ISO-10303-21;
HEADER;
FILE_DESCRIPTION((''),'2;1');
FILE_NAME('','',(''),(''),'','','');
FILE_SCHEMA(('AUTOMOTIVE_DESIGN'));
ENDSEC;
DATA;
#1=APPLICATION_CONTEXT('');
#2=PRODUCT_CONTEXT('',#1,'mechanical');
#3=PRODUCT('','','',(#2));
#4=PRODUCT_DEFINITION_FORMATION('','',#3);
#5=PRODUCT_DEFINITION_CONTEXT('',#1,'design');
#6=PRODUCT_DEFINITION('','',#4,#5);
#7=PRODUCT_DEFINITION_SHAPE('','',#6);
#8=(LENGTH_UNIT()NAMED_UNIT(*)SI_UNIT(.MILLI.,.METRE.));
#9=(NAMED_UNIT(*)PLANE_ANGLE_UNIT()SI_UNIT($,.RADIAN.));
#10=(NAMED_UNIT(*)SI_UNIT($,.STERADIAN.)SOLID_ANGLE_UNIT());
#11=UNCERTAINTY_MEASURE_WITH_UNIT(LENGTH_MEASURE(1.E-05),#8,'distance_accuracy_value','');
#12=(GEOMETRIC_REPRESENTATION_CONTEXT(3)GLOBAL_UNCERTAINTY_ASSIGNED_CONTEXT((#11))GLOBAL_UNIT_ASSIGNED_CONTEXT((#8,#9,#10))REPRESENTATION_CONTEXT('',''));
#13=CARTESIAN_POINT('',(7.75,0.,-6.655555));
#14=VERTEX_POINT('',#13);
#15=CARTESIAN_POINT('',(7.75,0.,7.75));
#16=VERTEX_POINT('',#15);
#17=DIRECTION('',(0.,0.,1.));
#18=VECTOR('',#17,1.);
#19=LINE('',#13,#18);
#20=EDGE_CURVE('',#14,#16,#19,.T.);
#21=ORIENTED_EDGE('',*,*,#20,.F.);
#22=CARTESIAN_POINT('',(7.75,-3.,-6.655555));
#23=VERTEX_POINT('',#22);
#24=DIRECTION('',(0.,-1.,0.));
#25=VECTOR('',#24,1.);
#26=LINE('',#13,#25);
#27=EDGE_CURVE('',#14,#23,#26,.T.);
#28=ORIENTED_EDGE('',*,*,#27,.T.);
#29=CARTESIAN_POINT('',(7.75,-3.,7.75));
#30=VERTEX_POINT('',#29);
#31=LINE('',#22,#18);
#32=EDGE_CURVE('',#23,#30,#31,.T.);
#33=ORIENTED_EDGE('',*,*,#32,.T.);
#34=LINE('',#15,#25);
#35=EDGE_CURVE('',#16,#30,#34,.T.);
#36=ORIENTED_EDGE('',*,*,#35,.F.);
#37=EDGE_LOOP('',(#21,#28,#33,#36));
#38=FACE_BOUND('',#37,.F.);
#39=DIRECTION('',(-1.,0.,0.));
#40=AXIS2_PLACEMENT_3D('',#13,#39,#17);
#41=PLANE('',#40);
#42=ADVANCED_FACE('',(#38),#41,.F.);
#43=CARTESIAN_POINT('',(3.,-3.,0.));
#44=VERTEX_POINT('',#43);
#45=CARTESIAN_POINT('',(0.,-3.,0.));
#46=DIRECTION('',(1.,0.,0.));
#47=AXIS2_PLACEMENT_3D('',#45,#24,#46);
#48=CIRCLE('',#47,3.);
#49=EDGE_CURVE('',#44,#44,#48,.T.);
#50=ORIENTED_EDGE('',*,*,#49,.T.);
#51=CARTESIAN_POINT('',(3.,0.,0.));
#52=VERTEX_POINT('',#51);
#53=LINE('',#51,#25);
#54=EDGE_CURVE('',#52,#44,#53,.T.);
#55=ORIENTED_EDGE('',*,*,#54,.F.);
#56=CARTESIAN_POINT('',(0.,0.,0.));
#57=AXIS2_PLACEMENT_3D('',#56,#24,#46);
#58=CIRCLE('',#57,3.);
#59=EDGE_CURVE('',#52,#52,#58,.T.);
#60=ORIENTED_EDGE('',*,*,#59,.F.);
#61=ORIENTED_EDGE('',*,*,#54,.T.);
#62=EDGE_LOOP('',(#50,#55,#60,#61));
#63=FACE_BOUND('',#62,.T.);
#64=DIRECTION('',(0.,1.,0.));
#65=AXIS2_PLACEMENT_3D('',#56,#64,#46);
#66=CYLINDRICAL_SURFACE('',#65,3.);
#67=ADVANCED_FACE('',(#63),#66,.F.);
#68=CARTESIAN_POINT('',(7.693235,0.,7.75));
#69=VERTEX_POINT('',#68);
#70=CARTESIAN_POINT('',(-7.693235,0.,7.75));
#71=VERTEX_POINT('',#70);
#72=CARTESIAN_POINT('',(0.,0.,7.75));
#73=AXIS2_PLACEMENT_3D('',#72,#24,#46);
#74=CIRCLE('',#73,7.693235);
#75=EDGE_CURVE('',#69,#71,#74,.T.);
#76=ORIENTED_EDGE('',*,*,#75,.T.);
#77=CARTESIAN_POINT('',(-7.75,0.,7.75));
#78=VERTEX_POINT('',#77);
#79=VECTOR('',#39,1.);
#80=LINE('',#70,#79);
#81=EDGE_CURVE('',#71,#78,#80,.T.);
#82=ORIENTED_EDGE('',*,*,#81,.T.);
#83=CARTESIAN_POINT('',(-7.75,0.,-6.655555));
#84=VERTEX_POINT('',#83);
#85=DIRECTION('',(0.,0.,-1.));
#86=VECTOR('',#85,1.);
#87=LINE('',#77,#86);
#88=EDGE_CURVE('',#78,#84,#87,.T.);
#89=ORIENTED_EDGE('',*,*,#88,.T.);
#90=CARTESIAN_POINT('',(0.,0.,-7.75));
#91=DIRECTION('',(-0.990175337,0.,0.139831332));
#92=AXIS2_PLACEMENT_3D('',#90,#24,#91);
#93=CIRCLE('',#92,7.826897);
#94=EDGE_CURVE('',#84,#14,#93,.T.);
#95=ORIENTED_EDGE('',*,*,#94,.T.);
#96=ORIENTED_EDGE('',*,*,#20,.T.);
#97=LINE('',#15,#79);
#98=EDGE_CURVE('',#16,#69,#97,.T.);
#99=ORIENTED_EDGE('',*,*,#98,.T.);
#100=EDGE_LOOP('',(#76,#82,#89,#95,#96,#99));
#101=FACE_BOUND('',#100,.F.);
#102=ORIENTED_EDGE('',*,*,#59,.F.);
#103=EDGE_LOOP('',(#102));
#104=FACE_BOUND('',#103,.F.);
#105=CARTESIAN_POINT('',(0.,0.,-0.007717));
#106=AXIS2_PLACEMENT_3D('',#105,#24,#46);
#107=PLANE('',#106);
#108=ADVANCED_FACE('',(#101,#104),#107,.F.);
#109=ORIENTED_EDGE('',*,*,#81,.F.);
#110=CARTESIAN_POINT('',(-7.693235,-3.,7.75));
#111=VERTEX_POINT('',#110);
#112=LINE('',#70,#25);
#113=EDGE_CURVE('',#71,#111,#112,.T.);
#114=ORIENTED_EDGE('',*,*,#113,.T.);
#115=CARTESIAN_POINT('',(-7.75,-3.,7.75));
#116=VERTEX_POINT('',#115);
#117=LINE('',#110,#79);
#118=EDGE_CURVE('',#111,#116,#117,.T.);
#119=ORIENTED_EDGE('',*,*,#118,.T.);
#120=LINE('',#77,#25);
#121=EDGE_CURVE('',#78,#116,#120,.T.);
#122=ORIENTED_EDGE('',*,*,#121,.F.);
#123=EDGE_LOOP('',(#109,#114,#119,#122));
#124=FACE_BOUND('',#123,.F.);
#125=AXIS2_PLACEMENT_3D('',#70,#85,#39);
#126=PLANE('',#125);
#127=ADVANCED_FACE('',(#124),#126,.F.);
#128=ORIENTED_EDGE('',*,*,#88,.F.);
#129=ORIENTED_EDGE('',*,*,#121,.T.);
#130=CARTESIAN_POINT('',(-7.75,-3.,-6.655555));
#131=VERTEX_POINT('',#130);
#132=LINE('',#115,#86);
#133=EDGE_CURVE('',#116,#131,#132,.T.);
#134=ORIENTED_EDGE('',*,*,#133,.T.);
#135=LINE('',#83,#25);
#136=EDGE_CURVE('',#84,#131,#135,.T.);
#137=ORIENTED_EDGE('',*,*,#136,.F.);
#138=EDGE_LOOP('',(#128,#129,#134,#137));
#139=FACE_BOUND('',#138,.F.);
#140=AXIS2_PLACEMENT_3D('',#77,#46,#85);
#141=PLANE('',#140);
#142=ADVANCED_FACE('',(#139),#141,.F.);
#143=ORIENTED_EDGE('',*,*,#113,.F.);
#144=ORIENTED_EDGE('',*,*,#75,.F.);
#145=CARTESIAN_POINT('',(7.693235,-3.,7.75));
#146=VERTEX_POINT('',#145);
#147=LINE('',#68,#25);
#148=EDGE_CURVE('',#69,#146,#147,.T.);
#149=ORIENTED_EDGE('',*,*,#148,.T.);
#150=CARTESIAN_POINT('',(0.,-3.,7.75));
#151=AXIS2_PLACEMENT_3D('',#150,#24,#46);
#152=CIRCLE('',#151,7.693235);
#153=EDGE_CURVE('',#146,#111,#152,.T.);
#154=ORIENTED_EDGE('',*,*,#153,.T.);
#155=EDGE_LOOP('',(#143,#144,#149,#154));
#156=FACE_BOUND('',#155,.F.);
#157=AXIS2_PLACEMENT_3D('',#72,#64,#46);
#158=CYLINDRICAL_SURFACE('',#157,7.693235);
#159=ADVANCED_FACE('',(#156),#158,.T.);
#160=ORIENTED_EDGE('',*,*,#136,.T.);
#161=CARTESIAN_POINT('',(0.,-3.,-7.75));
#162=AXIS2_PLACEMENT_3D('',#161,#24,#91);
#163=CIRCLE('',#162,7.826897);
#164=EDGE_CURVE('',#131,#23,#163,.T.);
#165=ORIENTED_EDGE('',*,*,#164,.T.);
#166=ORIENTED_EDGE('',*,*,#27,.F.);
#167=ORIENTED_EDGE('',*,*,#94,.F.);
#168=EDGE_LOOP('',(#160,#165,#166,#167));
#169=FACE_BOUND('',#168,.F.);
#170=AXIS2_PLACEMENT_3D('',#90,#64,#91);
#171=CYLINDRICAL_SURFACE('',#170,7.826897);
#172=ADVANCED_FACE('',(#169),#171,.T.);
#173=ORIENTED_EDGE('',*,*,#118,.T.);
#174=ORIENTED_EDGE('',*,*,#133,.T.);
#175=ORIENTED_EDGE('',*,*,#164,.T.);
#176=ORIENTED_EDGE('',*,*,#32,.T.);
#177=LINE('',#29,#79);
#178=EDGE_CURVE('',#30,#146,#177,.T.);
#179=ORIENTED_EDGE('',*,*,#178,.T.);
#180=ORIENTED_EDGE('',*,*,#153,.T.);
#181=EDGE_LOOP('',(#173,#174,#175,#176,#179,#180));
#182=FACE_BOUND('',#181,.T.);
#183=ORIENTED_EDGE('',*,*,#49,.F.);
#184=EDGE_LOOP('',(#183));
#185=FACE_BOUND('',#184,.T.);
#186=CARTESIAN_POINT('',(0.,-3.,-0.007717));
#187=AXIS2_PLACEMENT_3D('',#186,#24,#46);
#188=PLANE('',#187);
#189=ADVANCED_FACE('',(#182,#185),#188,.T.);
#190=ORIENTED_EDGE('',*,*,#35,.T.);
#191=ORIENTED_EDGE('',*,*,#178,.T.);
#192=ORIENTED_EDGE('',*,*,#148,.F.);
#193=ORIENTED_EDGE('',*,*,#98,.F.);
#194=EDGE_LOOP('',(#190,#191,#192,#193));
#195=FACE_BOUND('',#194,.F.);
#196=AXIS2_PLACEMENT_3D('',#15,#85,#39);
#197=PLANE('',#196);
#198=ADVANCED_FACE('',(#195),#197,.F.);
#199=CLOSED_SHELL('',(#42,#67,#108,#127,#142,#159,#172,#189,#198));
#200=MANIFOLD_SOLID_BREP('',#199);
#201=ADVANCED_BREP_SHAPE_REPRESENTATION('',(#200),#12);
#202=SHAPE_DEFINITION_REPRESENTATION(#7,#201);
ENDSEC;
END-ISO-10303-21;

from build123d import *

# Parameters (mm, degrees)
F0_R     = 3
F1_DEPTH = 3


with BuildPart() as f1:
    # F0 (on Front) → F1 (new body)
    with BuildSketch(Plane.XZ):
        with BuildLine():
            Line((7.75, -6.655555), (7.75, 7.75))
            Line((7.75, 7.75), (7.693235, 7.75))
            ThreePointArc((7.693235, 7.75), (0, 15.443235), (-7.693235, 7.75))
            Line((-7.693235, 7.75), (-7.75, 7.75))
            Line((-7.75, 7.75), (-7.75, -6.655555))
            ThreePointArc((-7.75, -6.655555), (0, -15.576897), (7.75, -6.655555))
        make_face()
        Circle(F0_R, mode=Mode.SUBTRACT)
    extrude(amount=F1_DEPTH)


solid = f1.part
